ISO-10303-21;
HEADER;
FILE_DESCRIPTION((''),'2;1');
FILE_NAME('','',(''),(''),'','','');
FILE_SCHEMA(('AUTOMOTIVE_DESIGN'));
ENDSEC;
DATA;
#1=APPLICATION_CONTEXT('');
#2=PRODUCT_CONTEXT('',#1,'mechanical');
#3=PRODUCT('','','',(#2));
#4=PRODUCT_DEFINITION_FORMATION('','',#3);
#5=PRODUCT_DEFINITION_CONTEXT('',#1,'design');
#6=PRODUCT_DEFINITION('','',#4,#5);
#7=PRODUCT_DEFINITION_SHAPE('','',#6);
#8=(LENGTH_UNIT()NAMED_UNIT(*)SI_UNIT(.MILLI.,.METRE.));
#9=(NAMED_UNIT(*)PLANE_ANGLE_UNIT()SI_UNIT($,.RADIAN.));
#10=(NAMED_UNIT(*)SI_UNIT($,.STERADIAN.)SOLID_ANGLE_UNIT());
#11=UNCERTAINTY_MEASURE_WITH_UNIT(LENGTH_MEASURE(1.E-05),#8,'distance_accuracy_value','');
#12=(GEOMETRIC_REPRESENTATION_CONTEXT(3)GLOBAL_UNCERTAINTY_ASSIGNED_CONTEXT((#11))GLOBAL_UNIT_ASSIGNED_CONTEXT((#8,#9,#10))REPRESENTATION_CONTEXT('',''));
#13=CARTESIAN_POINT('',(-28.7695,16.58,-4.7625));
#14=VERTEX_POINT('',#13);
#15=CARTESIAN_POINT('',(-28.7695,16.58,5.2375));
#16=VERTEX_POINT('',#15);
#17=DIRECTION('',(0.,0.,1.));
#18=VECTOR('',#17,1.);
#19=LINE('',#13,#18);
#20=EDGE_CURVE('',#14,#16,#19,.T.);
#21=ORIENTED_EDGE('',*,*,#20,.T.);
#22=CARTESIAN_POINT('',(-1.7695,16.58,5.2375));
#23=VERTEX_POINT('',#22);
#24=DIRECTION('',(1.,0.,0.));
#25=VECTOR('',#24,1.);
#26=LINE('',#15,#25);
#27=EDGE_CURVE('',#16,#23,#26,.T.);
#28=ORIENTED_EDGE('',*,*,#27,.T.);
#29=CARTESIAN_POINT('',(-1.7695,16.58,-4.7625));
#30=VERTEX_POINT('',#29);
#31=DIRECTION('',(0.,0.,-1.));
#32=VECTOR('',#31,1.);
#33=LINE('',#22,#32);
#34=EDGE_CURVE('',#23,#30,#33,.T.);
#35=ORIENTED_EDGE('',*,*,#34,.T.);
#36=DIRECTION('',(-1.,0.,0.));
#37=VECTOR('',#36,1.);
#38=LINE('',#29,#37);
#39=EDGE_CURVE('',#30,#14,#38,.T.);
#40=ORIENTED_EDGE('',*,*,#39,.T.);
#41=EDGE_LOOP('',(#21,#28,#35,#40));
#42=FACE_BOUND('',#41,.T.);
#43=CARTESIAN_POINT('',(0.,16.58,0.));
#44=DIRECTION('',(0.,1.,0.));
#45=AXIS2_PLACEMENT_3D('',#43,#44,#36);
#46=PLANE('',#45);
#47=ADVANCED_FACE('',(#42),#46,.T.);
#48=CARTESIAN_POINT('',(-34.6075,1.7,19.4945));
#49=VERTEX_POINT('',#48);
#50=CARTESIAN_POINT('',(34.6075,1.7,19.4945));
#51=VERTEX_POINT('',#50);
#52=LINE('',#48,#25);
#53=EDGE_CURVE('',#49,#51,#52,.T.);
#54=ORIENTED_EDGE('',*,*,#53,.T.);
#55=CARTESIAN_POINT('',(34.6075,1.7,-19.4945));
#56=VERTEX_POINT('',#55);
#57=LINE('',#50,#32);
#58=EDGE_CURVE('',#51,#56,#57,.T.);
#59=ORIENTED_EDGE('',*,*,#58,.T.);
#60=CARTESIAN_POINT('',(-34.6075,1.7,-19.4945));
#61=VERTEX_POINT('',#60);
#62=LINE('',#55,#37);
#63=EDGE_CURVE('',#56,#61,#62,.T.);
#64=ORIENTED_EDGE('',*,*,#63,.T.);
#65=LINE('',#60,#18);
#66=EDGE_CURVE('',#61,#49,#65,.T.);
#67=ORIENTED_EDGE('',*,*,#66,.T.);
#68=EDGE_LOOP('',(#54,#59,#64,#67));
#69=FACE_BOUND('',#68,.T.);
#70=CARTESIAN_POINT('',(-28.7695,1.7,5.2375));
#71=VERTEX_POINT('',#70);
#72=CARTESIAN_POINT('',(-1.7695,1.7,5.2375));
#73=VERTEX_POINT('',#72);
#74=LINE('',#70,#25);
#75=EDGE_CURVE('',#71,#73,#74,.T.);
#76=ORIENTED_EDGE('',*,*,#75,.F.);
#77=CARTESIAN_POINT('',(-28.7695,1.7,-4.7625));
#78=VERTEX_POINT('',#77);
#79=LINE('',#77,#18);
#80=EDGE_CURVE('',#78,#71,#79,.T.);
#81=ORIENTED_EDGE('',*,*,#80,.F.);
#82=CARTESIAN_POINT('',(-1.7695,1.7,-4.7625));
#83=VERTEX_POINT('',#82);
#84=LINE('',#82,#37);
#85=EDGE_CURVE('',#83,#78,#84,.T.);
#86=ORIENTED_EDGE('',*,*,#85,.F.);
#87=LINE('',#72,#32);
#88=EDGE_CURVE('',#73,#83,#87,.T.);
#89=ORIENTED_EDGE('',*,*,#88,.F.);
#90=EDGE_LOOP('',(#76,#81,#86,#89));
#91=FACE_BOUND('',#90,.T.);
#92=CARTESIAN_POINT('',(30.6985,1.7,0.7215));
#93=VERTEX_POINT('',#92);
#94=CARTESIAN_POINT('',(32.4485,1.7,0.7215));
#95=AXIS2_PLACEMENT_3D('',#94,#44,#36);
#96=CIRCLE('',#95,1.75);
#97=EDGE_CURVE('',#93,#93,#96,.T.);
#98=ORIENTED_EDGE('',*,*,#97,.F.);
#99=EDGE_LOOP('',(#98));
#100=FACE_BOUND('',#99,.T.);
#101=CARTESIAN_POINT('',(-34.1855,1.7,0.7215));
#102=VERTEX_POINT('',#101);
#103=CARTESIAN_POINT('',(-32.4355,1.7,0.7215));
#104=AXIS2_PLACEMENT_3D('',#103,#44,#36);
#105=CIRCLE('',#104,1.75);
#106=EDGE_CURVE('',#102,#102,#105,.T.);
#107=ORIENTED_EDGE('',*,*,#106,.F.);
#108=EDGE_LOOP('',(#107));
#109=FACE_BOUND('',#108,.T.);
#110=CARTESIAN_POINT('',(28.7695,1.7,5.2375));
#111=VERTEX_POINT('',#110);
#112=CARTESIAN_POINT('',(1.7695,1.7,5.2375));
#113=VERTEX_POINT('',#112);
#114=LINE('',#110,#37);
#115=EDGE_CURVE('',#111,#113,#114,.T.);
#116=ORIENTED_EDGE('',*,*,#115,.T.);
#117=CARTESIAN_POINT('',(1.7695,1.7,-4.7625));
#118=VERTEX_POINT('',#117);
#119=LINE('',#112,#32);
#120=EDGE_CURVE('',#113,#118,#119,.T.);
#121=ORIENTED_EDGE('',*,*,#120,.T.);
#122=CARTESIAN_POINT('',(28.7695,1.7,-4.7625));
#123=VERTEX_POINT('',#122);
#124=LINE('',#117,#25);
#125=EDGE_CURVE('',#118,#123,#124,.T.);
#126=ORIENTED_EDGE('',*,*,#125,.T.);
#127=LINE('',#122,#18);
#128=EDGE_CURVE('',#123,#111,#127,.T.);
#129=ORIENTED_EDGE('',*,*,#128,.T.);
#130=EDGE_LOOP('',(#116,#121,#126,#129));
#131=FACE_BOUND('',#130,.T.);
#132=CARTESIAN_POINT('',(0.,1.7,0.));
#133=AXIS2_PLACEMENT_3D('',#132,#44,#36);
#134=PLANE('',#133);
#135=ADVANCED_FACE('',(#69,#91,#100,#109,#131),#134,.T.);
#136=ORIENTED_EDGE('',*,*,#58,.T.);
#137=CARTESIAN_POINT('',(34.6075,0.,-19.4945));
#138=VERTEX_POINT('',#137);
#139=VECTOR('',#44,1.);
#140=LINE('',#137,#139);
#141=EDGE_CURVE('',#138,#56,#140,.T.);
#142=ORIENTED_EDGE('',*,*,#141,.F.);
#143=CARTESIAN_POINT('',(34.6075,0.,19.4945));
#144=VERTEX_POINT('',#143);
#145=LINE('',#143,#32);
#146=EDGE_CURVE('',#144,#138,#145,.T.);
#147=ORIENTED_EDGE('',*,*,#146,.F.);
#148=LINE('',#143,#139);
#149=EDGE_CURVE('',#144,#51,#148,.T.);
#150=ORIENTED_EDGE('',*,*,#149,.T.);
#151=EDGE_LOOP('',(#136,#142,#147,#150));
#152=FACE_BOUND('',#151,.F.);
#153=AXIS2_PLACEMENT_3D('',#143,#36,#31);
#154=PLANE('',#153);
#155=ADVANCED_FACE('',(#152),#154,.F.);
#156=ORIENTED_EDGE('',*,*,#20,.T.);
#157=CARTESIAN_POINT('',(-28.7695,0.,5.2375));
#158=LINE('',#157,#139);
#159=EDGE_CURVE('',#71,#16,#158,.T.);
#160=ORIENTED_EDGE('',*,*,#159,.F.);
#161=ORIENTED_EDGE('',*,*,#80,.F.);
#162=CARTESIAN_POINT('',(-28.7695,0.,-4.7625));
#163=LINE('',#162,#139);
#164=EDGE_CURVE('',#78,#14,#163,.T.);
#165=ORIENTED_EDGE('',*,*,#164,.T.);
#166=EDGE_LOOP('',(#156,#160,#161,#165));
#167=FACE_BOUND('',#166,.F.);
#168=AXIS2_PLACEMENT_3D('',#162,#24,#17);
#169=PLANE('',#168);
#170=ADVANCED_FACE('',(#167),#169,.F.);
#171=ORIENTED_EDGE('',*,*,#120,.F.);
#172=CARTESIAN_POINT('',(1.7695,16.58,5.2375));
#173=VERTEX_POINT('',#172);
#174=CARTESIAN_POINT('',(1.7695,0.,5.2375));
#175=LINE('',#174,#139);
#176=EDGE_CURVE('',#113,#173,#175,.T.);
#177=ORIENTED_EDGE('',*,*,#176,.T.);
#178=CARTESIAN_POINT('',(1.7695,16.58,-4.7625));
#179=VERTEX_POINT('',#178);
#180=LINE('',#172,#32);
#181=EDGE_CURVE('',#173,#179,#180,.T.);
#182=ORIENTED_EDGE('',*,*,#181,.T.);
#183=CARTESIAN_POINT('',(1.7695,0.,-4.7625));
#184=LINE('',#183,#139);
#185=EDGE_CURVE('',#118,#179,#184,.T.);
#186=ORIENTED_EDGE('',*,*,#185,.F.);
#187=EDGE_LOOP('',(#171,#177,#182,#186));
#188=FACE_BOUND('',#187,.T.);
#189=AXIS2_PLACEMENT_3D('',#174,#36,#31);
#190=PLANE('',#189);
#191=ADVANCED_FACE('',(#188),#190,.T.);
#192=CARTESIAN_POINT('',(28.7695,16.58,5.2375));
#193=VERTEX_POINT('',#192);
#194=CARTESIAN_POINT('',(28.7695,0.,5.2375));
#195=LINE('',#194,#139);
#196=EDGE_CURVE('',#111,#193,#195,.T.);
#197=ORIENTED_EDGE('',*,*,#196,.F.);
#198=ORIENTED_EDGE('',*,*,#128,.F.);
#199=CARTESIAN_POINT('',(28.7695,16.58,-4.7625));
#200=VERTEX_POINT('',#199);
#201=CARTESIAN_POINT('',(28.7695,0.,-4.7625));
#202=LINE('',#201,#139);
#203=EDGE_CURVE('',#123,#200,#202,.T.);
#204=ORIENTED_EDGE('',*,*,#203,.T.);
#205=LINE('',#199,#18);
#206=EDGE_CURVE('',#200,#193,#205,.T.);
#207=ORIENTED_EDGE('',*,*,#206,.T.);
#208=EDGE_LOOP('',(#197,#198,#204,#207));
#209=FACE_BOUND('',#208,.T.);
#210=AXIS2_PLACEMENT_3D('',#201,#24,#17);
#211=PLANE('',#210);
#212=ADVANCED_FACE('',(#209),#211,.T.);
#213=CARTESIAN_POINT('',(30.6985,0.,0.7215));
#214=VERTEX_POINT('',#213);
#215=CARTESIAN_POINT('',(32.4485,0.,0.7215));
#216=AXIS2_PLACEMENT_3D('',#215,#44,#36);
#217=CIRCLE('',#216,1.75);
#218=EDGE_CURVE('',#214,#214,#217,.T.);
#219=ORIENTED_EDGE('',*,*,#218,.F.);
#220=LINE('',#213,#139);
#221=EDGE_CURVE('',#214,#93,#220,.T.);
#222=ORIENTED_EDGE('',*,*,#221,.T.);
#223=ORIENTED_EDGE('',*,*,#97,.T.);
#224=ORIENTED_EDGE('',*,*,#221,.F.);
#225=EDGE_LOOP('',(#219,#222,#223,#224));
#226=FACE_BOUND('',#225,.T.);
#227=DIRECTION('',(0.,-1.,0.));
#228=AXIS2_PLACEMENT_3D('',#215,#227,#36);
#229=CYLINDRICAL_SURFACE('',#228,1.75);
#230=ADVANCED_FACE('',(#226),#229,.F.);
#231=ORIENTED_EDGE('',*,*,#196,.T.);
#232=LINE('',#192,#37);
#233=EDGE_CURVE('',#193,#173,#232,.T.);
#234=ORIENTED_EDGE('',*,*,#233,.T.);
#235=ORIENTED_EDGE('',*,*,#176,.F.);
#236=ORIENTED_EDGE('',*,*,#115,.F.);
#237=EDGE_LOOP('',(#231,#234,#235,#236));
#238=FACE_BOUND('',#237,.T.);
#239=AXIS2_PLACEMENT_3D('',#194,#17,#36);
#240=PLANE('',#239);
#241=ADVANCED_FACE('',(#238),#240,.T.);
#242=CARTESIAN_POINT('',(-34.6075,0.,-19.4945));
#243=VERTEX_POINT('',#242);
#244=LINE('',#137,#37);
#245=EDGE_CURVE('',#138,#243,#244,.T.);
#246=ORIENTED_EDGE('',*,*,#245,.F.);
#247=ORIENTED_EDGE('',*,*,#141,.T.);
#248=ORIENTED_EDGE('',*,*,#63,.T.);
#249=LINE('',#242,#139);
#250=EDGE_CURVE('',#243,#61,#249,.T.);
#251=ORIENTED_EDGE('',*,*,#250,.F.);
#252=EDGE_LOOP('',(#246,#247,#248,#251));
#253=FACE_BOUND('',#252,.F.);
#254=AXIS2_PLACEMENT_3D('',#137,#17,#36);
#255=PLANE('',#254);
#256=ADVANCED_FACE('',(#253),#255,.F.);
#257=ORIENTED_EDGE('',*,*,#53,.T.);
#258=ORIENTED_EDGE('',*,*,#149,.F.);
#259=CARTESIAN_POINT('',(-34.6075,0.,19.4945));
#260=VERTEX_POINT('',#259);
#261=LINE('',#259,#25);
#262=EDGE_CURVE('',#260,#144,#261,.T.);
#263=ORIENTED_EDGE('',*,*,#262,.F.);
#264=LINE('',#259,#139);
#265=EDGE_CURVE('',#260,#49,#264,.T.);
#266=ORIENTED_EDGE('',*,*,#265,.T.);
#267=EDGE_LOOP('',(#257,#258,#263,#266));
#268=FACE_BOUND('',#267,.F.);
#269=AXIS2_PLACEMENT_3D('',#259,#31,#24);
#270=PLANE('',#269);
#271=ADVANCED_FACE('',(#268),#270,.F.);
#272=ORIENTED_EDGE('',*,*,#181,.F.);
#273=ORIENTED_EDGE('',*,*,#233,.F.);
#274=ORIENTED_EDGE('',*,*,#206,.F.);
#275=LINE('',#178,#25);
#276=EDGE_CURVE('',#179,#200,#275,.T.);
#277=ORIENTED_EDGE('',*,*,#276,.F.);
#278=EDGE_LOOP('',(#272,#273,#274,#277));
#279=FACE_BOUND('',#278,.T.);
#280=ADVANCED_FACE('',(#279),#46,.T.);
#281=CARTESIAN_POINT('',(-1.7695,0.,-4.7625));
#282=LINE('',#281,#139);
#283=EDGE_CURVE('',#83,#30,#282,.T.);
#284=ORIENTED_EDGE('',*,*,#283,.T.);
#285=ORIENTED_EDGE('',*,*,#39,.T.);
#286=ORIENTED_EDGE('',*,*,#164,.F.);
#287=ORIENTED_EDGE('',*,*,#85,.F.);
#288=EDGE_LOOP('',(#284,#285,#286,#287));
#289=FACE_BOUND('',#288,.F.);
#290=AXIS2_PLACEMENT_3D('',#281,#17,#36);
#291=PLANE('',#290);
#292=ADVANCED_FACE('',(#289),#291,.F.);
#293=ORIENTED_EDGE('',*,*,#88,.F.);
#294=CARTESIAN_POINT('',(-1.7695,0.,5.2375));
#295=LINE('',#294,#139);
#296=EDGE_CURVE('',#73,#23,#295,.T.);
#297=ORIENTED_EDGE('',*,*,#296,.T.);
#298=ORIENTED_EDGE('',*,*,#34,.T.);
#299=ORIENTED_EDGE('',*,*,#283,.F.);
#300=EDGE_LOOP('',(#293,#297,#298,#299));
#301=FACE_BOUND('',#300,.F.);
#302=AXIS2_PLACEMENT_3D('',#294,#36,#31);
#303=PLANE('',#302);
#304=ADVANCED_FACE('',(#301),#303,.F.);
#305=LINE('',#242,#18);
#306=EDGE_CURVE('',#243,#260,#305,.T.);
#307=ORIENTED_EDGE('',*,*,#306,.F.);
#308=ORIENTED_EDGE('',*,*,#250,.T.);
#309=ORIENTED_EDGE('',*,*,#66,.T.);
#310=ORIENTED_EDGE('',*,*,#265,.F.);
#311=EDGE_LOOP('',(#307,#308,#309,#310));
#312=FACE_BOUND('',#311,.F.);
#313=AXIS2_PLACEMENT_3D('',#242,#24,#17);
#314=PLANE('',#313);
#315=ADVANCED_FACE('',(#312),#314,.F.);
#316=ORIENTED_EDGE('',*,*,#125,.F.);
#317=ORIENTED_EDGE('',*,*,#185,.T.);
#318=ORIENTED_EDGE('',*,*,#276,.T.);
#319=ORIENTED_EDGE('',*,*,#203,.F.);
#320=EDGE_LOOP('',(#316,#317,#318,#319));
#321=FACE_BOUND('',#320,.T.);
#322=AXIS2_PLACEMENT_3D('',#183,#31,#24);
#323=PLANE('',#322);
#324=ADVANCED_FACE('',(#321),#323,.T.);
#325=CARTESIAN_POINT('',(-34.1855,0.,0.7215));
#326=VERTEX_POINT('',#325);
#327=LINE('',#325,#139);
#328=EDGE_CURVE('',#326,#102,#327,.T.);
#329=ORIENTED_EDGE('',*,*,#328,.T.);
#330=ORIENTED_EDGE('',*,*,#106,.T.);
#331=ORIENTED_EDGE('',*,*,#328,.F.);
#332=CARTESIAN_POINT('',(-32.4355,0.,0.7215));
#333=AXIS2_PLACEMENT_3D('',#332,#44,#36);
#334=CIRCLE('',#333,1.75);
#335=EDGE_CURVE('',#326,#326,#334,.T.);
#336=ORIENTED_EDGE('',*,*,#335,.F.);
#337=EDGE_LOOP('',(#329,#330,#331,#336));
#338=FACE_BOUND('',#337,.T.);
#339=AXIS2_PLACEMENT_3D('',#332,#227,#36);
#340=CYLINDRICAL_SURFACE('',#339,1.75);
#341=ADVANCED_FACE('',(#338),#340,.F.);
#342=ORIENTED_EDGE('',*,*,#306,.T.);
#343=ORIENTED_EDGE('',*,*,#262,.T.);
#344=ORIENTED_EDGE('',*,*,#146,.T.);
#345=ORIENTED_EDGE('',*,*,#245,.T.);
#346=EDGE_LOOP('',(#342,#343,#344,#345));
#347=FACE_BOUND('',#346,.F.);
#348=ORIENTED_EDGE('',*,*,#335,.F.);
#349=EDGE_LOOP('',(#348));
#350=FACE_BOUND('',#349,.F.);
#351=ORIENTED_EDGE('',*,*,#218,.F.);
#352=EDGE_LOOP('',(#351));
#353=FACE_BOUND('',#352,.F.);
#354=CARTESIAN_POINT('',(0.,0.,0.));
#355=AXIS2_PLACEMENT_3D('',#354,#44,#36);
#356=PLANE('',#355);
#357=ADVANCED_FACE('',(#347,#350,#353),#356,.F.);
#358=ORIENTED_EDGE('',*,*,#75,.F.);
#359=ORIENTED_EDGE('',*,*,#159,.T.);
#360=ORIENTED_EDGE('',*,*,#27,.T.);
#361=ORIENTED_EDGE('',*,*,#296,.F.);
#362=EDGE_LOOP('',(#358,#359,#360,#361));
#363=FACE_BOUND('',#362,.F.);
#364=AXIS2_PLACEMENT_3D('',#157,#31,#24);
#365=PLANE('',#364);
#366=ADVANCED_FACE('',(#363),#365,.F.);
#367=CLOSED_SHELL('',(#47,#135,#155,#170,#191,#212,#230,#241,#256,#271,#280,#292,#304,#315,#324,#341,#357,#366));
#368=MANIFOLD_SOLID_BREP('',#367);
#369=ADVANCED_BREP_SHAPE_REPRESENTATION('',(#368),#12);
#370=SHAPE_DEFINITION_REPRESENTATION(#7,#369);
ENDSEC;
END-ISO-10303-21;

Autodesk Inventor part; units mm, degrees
ref_plane "YZ Plane" through (0, 0, 0) normal (1, 0, 0) x (0, 1, 0)
ref_plane "XZ Plane" through (0, 0, 0) normal (0, 1, 0) x (-1, 0, 0)
ref_plane "XY Plane" through (0, 0, 0) normal (0, 0, 1) x (1, 0, 0)
sketch "Sketch1" plane through (0, 0, 0) normal (0, 1, 0) x (-1, 0, 0)
  line L0 (34.6075, 19.4945) -> (-34.6075, 19.4945)
  line L1 (-34.6075, 19.4945) -> (-34.6075, -19.4945)
  line L2 (-34.6075, -19.4945) -> (34.6075, -19.4945)
  line L3 (34.6075, -19.4945) -> (34.6075, 19.4945)
  line L4 (-34.6075, 19.4945) -> (34.6075, -19.4945) construction
  circle A0 centre (32.4355, 0.7215) radius 1.75
  circle A1 centre (-32.4485, 0.7215) radius 1.75
  line L5 (28.7695, 5.2375) -> (1.7695, 5.2375)
  line L6 (1.7695, 5.2375) -> (1.7695, -4.7625)
  line L7 (1.7695, -4.7625) -> (28.7695, -4.7625)
  line L8 (28.7695, -4.7625) -> (28.7695, 5.2375)
  line L9 (28.7695, 5.2375) -> (1.7695, -4.7625) construction
  line L10 (1.7695, 5.2375) -> (28.7695, -4.7625) construction
  line L11 (-28.7695, 5.2375) -> (-1.7695, 5.2375)
  line L12 (-1.7695, 5.2375) -> (-1.7695, -4.7625)
  line L13 (-1.7695, -4.7625) -> (-28.7695, -4.7625)
  line L14 (-28.7695, -4.7625) -> (-28.7695, 5.2375)
  point P0 (0, 0)
  point P1 (15.2695, 0.2375)
  dimension "d0" = 69.215
  dimension "d1" = 38.989
  dimension "d2" = 3.5
  dimension "d3" = 2.172
  dimension "d4" = 20.216
  dimension "d5" = 27
  dimension "d6" = 10
  dimension "d18" = 64.884
extrude "Extrusion1" add sketch "Sketch1" along normal blind 1.7
extrude "Extrusion2" add sketch "Sketch1" along normal blind 16.58 contours L8 L7 L6 L5 | L11 L12 L13 L14
sketch "Sketch2" plane through (0, 1.7, 0) normal (0, 1, 0) x (1, 0, 0)
  line L0 (-16.1466, -9.4421) -> (18.9981, -9.4421) construction
  line L1 (18.9981, -9.4421) -> (18.9981, -13.0896) construction
  line L2 (18.9981, -13.0896) -> (-16.1466, -13.0896) construction
  line L3 (-16.1466, -13.0896) -> (-16.1466, -9.4421) construction
  point P0 (0, 0)
properties part number "powerdistv2"
